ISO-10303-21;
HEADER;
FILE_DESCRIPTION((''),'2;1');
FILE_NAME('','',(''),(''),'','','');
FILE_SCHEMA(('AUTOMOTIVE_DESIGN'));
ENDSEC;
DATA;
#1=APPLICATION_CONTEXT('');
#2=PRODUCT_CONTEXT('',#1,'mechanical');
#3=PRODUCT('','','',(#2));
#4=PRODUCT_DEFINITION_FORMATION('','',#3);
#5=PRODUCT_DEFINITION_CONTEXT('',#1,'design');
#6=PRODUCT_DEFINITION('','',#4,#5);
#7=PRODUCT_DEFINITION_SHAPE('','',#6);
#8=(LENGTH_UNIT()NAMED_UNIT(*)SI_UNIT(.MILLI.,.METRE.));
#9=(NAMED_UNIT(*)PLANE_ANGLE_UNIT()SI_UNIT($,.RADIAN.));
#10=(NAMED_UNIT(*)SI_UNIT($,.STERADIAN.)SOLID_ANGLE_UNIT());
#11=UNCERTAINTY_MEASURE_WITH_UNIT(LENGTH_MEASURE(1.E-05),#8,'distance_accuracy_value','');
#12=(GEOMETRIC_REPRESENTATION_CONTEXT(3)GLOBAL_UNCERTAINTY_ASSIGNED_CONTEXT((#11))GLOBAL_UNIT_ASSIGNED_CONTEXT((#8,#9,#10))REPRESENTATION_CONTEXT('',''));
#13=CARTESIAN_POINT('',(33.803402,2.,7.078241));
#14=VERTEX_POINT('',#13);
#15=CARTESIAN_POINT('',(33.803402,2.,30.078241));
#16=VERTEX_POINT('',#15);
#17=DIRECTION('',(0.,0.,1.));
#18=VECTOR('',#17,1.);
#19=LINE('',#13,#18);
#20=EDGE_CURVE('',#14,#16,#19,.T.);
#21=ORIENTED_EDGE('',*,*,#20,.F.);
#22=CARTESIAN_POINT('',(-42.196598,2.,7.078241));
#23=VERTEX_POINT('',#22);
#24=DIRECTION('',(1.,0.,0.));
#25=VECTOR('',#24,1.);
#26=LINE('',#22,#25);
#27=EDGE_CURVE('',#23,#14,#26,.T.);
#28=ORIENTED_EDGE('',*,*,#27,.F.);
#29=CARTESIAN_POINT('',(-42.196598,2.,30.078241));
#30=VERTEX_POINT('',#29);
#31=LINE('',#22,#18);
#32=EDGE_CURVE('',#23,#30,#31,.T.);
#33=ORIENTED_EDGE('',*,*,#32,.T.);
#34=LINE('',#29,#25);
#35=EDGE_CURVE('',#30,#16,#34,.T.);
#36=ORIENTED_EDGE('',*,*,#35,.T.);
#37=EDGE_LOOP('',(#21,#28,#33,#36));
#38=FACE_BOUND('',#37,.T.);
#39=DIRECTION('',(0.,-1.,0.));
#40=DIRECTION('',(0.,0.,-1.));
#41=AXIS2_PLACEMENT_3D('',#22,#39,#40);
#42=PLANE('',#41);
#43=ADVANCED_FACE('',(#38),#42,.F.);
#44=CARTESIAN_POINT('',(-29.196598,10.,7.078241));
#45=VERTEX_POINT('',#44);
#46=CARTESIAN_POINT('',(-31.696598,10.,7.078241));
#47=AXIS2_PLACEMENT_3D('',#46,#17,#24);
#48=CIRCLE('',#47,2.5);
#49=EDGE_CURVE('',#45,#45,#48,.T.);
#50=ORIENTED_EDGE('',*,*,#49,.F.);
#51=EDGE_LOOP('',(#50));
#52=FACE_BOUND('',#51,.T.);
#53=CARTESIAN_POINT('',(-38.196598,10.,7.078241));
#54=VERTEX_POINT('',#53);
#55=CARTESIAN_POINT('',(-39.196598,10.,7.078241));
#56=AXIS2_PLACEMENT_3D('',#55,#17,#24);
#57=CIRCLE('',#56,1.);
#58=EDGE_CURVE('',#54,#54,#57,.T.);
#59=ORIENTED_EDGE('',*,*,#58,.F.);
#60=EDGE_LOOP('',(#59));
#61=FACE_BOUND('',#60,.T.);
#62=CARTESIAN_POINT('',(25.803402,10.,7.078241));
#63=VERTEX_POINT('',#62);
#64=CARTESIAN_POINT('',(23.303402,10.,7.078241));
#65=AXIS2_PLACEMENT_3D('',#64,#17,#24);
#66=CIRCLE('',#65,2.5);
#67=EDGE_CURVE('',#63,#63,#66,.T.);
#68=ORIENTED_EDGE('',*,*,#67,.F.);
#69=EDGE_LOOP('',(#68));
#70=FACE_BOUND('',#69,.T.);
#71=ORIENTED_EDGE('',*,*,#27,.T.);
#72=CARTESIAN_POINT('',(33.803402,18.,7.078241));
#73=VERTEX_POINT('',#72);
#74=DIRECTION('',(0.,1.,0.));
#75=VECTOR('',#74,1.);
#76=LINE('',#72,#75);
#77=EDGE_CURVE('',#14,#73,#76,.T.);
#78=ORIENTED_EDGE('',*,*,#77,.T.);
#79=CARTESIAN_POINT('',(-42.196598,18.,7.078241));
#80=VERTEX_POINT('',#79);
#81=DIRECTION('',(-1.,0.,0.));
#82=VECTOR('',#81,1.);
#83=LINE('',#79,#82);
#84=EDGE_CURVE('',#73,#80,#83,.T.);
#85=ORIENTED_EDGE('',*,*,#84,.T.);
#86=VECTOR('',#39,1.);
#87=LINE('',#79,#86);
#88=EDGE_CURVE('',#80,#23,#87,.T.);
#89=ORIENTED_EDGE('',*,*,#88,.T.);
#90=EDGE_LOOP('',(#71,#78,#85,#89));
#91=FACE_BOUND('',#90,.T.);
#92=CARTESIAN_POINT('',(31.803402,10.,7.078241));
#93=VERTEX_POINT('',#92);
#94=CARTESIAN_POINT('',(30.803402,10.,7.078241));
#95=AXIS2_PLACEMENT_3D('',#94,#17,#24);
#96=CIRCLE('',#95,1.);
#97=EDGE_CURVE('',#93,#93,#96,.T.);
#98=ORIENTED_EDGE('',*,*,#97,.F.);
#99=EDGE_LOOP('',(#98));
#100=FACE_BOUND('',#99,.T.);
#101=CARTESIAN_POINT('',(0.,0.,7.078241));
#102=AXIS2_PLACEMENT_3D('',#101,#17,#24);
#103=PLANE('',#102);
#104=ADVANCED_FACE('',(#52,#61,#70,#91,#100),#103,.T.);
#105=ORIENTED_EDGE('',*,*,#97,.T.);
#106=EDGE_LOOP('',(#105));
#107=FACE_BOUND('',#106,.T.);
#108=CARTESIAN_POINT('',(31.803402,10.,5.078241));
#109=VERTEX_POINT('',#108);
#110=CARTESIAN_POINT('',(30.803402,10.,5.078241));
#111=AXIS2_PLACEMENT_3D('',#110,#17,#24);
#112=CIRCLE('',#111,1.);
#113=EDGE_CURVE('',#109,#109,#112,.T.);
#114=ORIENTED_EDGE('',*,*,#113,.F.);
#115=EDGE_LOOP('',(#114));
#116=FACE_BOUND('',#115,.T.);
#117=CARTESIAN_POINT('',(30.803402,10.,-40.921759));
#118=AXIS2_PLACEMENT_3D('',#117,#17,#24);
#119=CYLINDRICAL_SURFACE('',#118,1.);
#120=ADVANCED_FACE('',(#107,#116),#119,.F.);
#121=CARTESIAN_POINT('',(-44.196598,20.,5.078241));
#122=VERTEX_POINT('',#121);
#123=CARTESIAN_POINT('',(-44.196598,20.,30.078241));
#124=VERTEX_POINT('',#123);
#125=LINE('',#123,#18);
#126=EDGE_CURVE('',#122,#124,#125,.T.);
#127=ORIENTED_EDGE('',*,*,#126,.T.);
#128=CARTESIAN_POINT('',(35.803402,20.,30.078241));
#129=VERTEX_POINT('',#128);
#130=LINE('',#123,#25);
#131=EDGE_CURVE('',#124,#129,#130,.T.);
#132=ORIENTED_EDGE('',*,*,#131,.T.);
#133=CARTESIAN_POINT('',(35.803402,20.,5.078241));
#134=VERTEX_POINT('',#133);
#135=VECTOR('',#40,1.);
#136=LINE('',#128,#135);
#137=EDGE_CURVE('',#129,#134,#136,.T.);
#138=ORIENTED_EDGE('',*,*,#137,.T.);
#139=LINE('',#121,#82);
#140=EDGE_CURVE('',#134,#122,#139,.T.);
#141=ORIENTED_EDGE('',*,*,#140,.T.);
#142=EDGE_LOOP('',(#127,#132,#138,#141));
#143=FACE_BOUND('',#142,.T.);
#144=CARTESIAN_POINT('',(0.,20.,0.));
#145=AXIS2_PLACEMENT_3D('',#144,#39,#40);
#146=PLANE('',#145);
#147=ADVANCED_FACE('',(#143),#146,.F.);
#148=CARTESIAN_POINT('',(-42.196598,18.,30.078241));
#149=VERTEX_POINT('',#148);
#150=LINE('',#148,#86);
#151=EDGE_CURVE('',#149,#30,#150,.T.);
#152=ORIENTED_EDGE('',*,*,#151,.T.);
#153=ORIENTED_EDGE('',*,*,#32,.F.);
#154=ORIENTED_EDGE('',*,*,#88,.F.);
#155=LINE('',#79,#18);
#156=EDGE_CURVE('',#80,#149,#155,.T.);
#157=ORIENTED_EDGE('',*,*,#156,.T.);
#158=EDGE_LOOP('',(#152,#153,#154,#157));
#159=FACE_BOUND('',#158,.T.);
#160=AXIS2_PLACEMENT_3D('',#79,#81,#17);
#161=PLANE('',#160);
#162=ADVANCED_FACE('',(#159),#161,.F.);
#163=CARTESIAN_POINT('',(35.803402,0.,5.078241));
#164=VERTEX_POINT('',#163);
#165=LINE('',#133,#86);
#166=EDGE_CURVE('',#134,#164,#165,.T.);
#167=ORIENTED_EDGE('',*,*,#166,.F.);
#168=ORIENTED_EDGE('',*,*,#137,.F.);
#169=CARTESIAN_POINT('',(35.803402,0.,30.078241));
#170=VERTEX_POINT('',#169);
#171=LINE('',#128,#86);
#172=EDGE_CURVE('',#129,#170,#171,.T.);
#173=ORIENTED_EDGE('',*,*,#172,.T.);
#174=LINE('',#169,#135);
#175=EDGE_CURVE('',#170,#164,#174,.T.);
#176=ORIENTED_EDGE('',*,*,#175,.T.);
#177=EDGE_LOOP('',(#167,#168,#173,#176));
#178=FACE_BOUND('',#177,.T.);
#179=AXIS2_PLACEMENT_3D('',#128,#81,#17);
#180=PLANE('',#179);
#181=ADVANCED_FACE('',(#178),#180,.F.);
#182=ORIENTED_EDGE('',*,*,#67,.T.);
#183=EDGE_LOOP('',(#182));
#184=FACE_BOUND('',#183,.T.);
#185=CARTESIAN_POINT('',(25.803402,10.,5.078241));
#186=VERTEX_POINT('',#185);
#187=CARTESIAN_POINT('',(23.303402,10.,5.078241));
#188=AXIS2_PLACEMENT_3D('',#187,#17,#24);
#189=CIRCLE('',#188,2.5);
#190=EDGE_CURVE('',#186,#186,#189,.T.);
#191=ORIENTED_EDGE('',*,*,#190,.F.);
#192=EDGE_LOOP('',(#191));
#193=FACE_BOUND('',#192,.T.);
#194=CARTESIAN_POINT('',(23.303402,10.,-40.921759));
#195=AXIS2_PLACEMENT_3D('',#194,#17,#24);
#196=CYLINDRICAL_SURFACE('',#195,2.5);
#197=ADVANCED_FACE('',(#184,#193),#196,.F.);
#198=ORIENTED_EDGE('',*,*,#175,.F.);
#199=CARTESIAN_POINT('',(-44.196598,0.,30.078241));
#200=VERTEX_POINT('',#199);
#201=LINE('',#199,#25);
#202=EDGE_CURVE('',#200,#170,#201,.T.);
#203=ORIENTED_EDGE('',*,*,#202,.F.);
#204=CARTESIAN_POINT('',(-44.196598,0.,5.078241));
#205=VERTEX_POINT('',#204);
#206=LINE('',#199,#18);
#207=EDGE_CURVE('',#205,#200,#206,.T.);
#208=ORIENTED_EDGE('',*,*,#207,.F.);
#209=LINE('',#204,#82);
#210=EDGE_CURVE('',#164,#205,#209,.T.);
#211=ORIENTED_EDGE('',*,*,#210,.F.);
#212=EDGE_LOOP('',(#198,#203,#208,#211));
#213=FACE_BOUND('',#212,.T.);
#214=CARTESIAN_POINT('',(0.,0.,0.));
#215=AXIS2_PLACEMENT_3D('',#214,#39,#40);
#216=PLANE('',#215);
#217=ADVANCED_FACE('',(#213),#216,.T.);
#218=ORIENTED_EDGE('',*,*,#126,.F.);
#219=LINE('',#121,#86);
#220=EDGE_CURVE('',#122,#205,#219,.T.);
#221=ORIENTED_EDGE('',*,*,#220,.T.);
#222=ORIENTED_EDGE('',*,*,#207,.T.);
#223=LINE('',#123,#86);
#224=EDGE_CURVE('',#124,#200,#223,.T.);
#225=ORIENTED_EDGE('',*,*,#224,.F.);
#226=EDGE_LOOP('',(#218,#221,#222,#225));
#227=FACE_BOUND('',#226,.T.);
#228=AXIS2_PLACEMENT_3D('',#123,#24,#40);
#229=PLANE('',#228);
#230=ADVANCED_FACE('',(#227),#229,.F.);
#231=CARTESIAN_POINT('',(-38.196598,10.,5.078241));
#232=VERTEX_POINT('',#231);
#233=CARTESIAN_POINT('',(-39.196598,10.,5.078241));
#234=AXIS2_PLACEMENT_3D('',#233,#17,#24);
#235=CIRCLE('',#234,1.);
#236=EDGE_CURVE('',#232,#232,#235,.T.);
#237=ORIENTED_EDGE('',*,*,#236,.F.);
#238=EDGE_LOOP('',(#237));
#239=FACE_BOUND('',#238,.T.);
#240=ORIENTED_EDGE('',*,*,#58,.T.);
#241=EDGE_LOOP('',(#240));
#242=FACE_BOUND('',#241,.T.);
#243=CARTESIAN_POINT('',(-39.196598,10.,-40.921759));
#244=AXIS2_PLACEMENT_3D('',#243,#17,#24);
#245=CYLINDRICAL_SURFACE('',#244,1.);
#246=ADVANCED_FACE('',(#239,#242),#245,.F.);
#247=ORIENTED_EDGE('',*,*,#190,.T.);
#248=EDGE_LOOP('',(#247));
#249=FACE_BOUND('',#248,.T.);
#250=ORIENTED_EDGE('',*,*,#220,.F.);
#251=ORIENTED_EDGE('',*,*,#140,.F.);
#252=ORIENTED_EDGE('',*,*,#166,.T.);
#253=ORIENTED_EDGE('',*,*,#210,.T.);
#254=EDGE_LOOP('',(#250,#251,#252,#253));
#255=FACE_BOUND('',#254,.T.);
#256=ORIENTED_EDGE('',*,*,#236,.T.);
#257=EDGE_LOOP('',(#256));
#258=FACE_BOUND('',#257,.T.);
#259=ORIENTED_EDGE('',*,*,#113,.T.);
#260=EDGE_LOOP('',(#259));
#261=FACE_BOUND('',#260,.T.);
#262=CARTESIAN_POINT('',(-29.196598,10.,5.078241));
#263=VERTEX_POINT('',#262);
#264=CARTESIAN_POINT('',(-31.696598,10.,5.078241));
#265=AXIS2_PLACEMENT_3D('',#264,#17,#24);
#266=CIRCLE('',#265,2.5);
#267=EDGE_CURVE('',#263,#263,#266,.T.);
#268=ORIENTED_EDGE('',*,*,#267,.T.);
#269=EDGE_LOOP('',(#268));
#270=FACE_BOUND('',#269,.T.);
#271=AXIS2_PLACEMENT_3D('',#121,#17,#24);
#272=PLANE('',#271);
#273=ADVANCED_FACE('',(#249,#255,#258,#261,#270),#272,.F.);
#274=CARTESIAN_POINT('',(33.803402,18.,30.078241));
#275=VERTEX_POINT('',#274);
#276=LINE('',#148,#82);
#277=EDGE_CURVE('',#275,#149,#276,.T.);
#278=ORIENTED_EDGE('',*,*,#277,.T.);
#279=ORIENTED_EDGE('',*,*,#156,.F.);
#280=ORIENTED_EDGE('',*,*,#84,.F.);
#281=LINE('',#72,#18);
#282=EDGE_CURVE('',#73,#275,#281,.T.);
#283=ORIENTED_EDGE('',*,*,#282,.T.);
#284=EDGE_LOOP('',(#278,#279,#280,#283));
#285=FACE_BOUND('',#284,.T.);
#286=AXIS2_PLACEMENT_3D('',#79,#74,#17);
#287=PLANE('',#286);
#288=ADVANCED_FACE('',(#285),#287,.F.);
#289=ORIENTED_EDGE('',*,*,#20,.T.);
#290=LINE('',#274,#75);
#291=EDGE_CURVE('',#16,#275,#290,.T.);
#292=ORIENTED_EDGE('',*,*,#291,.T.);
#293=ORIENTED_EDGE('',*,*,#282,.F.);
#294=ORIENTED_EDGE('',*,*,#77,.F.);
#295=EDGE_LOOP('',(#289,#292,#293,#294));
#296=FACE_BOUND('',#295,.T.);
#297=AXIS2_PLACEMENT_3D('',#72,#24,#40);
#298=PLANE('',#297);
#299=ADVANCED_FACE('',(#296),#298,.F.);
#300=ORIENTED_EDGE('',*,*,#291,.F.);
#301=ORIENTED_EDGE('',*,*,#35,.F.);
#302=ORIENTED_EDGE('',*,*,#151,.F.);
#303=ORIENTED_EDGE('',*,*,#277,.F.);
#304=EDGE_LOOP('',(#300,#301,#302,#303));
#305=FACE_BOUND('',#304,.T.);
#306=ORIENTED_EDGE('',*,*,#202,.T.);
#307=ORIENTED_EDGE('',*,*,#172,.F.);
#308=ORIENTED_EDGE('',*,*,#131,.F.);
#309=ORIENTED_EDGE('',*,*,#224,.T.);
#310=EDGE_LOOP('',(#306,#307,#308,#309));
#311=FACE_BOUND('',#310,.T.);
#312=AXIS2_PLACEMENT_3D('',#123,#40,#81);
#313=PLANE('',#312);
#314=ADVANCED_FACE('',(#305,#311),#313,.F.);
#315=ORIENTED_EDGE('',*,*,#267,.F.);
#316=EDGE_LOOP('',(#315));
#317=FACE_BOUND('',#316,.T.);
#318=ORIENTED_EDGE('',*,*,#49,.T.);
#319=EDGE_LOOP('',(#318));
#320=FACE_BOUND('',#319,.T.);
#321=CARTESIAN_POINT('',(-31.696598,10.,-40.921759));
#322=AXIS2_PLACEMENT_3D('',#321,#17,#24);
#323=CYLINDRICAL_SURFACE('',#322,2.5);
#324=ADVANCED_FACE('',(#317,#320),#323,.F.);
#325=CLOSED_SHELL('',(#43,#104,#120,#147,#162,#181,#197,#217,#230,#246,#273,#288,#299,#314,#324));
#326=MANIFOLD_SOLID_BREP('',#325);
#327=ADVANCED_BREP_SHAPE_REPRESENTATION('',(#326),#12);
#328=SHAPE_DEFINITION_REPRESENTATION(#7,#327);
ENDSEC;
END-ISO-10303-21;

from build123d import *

# Parameters (mm, degrees)
SKETCH1_W           = 80
SKETCH1_H           = 25
BOSS_EXTRUDE1_DEPTH = 20
SKETCH3_W           = 76
SKETCH3_H           = 16
CUT_EXTRUDE1_DEPTH  = 23
SKETCH4_R           = 1
CUT_EXTRUDE2_DEPTH  = 48
SKETCH5_R           = 2.5
CUT_EXTRUDE3_DEPTH  = 48


with BuildPart() as part:
    # Sketch1 → Boss-Extrude1 (new body)
    with BuildSketch(Plane(origin=(0, 0, 0), x_dir=(1, 0, 0), z_dir=(0, 1, 0))):
        with Locations((-4.196598457, -17.578240617)):
            Rectangle(SKETCH1_W, SKETCH1_H)
    extrude(amount=BOSS_EXTRUDE1_DEPTH)

    # Sketch3 → Cut-Extrude1 (cut)
    with BuildSketch(Plane.XY.offset(30.078240617)):
        with Locations((-4.196598457, 10)):
            Rectangle(SKETCH3_W, SKETCH3_H)
    extrude(amount=-CUT_EXTRUDE1_DEPTH, mode=Mode.SUBTRACT)

    # Sketch4 → Cut-Extrude2 (cut)
    with BuildSketch(Plane.XY.offset(7.078240617)):
        with Locations((30.803401543, 10)):
            Circle(SKETCH4_R)
        with Locations((-39.196598457, 10)):
            Circle(SKETCH4_R)
    extrude(amount=-CUT_EXTRUDE2_DEPTH, mode=Mode.SUBTRACT)

    # Sketch5 → Cut-Extrude3 (cut)
    with BuildSketch(Plane.XY.offset(7.078240617)):
        with Locations((-31.696598457, 10)):
            Circle(SKETCH5_R)
        with Locations((23.303401543, 10)):
            Circle(SKETCH5_R)
    extrude(amount=-CUT_EXTRUDE3_DEPTH, mode=Mode.SUBTRACT)


solid = part.part
